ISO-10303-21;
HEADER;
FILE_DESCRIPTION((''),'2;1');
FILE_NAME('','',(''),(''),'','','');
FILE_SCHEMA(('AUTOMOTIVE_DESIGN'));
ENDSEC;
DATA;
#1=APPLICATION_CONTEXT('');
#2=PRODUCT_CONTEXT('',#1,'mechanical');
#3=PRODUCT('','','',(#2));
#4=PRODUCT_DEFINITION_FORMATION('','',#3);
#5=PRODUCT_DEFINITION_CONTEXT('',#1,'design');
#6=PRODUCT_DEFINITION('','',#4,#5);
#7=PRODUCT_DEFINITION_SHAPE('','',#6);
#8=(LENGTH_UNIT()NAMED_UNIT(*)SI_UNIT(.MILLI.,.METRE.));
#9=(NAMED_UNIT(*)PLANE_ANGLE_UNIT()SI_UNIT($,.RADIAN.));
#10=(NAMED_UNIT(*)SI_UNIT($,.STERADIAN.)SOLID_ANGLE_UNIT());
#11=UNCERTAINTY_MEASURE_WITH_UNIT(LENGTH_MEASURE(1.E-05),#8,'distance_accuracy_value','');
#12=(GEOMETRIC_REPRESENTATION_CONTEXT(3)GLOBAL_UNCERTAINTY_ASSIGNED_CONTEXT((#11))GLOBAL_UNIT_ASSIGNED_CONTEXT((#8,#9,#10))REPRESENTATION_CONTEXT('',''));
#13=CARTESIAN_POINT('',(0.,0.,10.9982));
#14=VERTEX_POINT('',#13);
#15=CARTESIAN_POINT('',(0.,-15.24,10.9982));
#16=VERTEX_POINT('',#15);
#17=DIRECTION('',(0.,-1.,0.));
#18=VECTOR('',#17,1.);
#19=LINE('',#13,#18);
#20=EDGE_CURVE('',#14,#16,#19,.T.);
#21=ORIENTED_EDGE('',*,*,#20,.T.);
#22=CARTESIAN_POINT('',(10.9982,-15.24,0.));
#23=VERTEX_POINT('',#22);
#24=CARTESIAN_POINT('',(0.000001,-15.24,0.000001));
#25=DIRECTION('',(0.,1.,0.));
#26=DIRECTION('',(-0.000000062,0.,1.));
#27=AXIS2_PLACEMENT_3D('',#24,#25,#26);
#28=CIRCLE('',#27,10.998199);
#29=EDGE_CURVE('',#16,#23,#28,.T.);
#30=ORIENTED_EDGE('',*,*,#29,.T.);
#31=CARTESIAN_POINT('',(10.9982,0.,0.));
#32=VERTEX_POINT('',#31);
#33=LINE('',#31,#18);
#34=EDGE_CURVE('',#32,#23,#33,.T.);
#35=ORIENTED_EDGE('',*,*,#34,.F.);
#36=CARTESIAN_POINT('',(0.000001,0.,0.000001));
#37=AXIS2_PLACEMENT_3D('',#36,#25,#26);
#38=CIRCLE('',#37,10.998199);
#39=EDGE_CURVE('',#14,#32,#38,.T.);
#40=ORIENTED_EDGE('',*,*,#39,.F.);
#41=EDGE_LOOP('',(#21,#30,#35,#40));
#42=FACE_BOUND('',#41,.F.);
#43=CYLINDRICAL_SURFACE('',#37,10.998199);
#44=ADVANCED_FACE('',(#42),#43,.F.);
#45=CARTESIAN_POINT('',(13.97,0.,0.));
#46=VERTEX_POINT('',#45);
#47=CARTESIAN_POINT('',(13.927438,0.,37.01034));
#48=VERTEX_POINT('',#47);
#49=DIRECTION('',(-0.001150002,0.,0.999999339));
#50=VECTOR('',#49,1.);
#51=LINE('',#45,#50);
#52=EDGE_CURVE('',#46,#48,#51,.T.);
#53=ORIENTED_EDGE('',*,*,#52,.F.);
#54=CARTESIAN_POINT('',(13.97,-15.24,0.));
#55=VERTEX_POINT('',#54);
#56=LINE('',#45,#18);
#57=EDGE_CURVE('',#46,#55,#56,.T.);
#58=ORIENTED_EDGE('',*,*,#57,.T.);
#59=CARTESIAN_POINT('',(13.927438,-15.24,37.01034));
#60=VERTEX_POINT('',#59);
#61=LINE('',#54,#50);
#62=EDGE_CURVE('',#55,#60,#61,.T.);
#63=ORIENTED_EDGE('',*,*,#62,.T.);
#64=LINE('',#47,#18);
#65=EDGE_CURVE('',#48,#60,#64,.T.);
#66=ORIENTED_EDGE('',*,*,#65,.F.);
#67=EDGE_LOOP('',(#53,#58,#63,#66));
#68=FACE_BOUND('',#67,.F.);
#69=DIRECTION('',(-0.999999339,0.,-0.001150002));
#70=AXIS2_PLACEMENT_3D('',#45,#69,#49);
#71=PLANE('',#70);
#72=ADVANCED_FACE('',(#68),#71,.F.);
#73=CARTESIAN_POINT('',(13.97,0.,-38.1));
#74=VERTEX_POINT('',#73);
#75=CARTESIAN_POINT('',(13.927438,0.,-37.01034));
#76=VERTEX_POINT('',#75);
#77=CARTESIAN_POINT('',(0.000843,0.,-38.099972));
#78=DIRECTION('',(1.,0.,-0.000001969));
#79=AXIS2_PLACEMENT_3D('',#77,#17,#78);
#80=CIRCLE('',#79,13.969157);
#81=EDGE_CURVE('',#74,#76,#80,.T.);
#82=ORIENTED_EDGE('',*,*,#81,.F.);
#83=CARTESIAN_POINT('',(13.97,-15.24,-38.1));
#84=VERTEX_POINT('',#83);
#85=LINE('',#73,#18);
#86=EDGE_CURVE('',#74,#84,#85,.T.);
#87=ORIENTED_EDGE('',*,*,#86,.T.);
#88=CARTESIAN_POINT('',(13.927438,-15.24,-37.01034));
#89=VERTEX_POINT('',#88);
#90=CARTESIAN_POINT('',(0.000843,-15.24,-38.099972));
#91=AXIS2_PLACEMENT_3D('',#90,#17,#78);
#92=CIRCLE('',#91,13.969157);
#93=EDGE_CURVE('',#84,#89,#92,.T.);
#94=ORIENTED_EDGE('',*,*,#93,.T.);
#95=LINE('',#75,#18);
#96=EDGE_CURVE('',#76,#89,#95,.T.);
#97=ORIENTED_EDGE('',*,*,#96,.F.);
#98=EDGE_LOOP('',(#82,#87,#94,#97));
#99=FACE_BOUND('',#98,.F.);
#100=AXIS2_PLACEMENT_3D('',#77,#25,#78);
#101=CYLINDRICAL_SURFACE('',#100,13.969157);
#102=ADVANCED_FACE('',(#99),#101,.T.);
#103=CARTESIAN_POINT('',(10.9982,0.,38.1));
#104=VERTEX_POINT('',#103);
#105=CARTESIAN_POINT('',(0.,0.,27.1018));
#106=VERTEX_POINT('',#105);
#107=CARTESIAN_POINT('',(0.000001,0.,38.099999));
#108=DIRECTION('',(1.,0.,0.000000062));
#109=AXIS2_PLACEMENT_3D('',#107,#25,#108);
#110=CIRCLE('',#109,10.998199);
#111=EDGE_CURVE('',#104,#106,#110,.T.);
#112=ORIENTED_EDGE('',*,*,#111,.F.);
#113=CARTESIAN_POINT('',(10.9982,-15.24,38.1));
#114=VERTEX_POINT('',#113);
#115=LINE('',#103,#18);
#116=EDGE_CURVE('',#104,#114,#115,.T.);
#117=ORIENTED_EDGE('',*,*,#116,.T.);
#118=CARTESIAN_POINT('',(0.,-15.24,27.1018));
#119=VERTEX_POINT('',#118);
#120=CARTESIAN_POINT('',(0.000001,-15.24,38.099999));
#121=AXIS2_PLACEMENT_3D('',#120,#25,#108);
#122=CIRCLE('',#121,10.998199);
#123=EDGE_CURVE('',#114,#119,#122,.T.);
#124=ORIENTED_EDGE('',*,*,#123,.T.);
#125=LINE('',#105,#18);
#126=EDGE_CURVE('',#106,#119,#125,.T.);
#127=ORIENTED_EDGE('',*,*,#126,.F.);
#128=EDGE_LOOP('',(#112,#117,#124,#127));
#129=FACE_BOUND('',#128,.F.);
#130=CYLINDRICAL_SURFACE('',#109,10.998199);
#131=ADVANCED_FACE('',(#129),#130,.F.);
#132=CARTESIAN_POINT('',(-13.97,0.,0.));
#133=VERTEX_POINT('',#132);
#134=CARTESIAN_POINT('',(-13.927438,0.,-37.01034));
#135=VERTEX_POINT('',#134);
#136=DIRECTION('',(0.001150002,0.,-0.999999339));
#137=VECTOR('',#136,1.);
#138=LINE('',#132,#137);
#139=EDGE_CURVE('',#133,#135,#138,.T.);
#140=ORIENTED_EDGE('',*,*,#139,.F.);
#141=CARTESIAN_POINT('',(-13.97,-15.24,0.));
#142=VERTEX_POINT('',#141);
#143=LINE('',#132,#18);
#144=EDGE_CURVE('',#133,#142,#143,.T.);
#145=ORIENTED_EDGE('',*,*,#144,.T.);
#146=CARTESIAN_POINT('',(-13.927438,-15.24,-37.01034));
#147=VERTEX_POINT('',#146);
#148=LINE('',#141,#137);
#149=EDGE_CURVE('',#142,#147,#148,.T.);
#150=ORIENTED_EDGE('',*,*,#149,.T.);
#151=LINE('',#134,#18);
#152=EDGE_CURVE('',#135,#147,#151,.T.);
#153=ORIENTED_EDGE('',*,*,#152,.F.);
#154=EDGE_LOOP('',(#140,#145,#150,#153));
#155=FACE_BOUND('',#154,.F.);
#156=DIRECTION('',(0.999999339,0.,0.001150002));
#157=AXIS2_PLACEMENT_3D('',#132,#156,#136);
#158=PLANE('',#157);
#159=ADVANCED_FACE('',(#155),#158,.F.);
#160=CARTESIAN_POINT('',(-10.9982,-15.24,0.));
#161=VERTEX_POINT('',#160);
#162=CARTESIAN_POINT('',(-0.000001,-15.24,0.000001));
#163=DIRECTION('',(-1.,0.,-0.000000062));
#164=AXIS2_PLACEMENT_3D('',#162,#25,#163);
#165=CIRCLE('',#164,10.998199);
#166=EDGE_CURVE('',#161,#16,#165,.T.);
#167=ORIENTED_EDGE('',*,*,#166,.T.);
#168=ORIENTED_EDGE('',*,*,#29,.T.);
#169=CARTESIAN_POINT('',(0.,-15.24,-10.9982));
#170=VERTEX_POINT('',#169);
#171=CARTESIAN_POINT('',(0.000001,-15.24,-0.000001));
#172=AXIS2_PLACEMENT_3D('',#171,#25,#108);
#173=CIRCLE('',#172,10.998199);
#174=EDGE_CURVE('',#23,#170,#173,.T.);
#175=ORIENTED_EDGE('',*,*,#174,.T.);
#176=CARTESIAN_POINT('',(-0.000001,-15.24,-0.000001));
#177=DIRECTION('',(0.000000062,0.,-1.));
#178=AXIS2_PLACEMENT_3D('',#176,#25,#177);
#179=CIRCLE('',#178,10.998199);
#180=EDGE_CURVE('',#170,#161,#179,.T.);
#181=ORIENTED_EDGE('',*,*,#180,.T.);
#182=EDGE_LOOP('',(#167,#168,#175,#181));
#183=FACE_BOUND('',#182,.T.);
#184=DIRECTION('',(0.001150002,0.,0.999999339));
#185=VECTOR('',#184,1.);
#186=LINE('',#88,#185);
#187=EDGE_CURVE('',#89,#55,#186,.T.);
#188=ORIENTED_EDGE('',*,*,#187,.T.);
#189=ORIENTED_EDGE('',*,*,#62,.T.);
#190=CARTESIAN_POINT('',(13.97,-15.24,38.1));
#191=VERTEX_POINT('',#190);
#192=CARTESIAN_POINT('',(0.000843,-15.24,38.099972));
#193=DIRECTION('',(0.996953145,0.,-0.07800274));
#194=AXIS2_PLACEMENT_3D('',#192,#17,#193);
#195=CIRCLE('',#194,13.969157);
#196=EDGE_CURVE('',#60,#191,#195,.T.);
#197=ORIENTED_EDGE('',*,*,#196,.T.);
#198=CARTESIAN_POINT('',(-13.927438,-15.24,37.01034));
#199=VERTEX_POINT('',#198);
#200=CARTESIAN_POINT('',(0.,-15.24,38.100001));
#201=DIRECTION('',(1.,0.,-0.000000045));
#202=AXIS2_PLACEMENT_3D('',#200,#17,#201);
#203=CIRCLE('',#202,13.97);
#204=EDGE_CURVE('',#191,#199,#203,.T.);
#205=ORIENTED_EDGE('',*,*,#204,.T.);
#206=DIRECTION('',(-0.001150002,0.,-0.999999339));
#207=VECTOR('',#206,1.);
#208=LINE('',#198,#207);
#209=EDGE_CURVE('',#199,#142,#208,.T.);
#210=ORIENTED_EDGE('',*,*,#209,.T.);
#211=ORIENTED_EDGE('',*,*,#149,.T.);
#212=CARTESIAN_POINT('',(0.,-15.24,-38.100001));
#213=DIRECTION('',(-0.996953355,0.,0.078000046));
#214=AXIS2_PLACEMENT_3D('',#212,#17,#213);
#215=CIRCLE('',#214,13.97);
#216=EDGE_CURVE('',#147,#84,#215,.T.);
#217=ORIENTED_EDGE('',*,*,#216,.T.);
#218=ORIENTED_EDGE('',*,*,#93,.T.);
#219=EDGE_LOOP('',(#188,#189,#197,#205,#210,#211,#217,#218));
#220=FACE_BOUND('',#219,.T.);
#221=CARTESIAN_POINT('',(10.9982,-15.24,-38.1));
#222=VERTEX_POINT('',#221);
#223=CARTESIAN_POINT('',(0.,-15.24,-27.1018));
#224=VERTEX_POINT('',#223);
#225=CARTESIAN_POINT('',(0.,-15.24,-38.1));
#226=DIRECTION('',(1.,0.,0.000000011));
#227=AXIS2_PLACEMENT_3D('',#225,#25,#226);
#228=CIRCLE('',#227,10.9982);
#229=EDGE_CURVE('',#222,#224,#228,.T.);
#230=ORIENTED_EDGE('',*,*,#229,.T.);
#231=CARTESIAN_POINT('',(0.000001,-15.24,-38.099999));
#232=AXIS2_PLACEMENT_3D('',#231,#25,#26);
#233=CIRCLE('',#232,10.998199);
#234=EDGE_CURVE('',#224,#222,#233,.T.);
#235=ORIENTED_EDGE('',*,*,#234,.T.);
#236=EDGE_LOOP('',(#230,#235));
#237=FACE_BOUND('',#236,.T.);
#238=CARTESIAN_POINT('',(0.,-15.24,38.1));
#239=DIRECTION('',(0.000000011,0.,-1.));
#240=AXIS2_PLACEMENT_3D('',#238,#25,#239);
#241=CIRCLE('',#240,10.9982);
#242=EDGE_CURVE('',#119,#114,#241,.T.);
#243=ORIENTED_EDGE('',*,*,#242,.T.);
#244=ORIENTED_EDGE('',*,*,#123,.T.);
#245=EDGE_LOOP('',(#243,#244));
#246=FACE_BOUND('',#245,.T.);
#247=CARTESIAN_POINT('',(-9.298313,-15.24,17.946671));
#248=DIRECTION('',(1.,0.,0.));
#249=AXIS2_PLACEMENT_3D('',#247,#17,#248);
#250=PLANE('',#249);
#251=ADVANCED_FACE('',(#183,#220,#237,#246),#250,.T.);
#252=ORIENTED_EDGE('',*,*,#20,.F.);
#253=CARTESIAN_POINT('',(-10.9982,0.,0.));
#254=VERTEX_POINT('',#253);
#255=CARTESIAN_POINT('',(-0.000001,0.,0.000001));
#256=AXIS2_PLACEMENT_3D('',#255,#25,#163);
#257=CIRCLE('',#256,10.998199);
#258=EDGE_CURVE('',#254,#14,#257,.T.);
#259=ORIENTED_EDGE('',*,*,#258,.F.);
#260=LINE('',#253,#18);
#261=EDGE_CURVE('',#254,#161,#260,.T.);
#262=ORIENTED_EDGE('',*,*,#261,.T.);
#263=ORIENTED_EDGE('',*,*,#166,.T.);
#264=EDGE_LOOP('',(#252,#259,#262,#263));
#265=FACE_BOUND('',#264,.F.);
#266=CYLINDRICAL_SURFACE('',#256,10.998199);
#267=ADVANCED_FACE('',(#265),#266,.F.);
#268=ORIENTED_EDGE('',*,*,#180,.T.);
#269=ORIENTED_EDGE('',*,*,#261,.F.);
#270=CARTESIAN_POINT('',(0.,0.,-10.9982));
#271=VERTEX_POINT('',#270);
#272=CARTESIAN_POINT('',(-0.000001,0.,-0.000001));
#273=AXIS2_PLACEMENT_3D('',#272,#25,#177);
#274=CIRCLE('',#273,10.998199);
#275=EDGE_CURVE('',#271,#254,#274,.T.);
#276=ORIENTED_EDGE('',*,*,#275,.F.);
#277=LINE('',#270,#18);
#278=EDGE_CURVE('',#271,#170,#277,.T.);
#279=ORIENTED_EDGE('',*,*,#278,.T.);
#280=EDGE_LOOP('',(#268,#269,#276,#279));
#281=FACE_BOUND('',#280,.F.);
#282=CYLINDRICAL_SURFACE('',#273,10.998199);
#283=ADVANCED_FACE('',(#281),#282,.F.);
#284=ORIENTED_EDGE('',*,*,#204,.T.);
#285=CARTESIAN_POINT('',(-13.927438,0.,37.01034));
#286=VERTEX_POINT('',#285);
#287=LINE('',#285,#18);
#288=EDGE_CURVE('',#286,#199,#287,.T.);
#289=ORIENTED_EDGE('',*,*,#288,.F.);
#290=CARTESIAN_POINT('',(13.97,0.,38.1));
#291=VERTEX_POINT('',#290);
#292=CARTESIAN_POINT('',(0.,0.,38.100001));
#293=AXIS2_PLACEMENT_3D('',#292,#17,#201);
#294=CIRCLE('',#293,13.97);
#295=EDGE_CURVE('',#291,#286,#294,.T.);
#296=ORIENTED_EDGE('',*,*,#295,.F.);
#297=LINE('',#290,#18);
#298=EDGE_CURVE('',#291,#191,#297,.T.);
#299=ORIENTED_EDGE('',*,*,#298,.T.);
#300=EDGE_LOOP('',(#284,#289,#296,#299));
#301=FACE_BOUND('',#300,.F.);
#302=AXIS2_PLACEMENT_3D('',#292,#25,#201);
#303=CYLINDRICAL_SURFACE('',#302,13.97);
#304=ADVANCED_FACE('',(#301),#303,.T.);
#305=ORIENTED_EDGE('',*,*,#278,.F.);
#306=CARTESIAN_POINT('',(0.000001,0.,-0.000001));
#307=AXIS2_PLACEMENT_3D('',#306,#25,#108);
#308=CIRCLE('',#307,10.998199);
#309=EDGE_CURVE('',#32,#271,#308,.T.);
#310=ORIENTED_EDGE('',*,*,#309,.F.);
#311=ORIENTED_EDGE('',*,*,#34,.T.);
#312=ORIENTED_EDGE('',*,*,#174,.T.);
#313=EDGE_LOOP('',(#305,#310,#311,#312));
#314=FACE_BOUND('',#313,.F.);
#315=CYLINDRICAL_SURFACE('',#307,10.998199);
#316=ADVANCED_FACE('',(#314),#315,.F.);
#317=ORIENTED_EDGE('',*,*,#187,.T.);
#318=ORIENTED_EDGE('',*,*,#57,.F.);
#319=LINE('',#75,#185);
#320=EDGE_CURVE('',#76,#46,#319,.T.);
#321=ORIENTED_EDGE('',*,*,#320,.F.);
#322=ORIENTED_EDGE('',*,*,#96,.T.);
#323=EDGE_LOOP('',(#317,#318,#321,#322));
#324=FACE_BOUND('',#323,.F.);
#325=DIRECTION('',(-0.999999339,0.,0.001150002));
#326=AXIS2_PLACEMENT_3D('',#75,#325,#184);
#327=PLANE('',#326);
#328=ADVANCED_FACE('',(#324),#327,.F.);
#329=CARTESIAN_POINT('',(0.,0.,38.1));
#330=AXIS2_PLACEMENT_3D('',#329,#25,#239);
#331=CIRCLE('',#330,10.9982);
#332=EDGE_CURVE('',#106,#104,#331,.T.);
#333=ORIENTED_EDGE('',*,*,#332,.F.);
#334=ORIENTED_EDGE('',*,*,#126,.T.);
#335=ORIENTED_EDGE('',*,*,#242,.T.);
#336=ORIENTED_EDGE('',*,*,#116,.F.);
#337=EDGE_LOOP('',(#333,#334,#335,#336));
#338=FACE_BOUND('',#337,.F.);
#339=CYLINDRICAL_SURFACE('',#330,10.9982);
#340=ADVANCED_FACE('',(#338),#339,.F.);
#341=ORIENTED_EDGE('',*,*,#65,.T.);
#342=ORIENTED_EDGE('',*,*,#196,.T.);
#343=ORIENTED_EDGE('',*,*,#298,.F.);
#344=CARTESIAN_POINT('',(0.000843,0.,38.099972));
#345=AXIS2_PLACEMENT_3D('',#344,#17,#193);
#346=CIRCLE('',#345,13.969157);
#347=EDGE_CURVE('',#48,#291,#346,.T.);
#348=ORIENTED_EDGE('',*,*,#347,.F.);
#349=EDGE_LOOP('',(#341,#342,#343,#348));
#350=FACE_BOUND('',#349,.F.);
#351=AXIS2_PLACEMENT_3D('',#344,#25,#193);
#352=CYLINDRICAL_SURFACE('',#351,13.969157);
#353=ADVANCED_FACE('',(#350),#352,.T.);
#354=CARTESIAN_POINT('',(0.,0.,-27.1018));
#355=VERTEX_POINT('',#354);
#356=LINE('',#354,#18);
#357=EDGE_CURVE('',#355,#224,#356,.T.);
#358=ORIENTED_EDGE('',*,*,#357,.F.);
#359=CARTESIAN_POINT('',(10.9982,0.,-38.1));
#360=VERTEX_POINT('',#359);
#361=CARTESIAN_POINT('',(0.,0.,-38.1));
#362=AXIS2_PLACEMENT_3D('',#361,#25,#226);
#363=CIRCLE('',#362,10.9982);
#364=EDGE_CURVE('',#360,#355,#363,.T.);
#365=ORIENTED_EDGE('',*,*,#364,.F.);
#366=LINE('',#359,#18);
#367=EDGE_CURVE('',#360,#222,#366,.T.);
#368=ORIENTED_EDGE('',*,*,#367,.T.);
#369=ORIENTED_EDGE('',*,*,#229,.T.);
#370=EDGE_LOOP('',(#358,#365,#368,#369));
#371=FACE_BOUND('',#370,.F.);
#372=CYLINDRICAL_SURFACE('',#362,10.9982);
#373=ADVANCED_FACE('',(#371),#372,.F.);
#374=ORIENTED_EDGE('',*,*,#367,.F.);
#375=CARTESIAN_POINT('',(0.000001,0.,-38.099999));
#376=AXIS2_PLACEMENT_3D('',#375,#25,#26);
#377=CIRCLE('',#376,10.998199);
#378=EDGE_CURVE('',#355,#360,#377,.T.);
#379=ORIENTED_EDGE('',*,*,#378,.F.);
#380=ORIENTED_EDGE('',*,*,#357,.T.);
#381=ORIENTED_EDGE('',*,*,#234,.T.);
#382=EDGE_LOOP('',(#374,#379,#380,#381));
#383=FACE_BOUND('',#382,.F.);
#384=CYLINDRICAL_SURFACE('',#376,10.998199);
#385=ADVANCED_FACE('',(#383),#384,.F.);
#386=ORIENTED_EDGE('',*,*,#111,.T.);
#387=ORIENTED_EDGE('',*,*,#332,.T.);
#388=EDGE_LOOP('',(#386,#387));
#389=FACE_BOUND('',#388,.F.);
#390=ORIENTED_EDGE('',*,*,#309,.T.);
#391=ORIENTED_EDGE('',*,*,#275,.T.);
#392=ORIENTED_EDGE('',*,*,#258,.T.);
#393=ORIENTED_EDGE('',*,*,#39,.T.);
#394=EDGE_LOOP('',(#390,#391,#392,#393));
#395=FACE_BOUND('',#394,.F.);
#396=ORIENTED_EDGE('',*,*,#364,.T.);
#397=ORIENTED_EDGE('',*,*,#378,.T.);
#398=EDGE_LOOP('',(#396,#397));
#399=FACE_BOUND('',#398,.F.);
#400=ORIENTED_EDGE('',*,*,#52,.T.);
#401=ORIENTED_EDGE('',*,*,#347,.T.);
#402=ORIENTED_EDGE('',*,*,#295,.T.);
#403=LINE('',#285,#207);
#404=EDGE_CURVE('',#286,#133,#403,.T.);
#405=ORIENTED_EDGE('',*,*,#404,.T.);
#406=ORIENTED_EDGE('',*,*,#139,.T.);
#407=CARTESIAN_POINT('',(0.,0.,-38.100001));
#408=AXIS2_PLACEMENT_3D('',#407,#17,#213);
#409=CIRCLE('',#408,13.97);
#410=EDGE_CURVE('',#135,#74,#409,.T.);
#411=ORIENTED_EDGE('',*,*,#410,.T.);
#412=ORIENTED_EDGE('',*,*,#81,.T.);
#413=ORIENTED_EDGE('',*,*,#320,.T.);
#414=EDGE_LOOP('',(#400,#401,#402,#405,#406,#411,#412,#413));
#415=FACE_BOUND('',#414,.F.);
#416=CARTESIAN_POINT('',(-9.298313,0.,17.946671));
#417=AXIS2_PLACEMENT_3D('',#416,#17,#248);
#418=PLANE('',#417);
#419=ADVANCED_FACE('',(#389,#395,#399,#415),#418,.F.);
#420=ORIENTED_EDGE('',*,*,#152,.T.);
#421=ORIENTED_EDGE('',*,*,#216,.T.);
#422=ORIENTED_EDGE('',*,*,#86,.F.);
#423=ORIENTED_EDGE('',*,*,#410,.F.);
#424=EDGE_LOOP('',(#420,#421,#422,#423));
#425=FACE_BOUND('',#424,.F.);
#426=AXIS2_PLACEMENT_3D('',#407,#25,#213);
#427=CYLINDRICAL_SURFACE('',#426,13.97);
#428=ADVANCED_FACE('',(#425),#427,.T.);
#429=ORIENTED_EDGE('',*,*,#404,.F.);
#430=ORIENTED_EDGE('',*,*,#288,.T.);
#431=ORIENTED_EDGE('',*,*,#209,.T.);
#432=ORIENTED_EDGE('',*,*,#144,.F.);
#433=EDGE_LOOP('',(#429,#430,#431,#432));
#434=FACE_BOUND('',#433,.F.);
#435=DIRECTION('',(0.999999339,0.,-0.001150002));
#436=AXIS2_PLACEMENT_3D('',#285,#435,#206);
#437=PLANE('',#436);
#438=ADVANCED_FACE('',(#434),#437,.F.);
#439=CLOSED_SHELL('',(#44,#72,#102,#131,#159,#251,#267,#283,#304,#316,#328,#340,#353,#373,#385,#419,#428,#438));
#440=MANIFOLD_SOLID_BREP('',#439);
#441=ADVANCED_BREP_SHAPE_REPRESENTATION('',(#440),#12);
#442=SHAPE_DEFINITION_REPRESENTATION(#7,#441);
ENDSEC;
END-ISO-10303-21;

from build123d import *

# Parameters (mm, degrees)
F1_DEPTH = 15.24


with BuildPart() as f1:
    # F0 (on Front) → F1 (new body)
    with BuildSketch(Plane.XZ):
        with BuildLine():
            ThreePointArc((-10.9982, 0), (-7.776902, 7.776902), (0, 10.9982))
            Line((0, 10.9982), (0, 24.13))
            ThreePointArc((0, 24.13), (-9.485208, 27.843698), (-13.927438, 37.01034))
            Line((-13.927438, 37.01034), (-13.97, 0))
            Line((-13.97, 0), (-10.9982, 0))
        make_face()
        with BuildLine():
            Line((0, 24.13), (0, 10.9982))
            ThreePointArc((0, 10.9982), (7.776902, 7.776902), (10.9982, 0))
            Line((10.9982, 0), (13.97, 0))
            Line((13.97, 0), (13.927438, 37.01034))
            ThreePointArc((13.927438, 37.01034), (9.485208, 27.843698), (0, 24.13))
        make_face()
        with BuildLine():
            Line((0, -24.13), (0, -10.9982))
            ThreePointArc((0, -10.9982), (-7.776902, -7.776902), (-10.9982, 0))
            Line((-10.9982, 0), (-13.97, 0))
            Line((-13.97, 0), (-13.927438, -37.01034))
            ThreePointArc((-13.927438, -37.01034), (-9.485208, -27.843698), (0, -24.13))
        make_face()
        with BuildLine():
            ThreePointArc((10.9982, 0), (7.776902, -7.776902), (0, -10.9982))
            Line((0, -10.9982), (0, -24.13))
            ThreePointArc((0, -24.13), (9.485208, -27.843698), (13.927438, -37.01034))
            Line((13.927438, -37.01034), (13.97, 0))
            Line((13.97, 0), (10.9982, 0))
        make_face()
        with BuildLine():
            ThreePointArc((10.9982, 38.1), (-7.776902, 45.876902), (0, 27.1018))
            ThreePointArc((0, 27.1018), (7.776902, 30.323098), (10.9982, 38.1))
        make_face()
        with BuildLine():
            ThreePointArc((-13.927438, 37.01034), (-9.485208, 27.843698), (0, 24.13))
            ThreePointArc((0, 24.13), (9.485208, 27.843698), (13.927438, 37.01034))
            ThreePointArc((13.927438, 37.01034), (13.959356, 37.554755), (13.97, 38.1))
            ThreePointArc((13.97, 38.1), (-0.545245, 52.059356), (-13.927438, 37.01034))
        make_face()
        with BuildLine():
            ThreePointArc((10.9982, 38.1), (7.776902, 30.323098), (0, 27.1018))
            ThreePointArc((0, 27.1018), (-7.776902, 45.876902), (10.9982, 38.1))
        make_face(mode=Mode.SUBTRACT)
        with BuildLine():
            ThreePointArc((10.9982, -38.1), (7.776902, -30.323098), (0, -27.1018))
            ThreePointArc((0, -27.1018), (-7.776902, -45.876902), (10.9982, -38.1))
        make_face()
        with BuildLine():
            ThreePointArc((13.927438, -37.01034), (9.485208, -27.843698), (0, -24.13))
            ThreePointArc((0, -24.13), (-9.485208, -27.843698), (-13.927438, -37.01034))
            ThreePointArc((-13.927438, -37.01034), (-0.545245, -52.059356), (13.97, -38.1))
            ThreePointArc((13.97, -38.1), (13.959356, -37.554755), (13.927438, -37.01034))
        make_face()
        with BuildLine():
            ThreePointArc((10.9982, -38.1), (-7.776902, -45.876902), (0, -27.1018))
            ThreePointArc((0, -27.1018), (7.776902, -30.323098), (10.9982, -38.1))
        make_face(mode=Mode.SUBTRACT)
    extrude(amount=F1_DEPTH)


solid = f1.part
